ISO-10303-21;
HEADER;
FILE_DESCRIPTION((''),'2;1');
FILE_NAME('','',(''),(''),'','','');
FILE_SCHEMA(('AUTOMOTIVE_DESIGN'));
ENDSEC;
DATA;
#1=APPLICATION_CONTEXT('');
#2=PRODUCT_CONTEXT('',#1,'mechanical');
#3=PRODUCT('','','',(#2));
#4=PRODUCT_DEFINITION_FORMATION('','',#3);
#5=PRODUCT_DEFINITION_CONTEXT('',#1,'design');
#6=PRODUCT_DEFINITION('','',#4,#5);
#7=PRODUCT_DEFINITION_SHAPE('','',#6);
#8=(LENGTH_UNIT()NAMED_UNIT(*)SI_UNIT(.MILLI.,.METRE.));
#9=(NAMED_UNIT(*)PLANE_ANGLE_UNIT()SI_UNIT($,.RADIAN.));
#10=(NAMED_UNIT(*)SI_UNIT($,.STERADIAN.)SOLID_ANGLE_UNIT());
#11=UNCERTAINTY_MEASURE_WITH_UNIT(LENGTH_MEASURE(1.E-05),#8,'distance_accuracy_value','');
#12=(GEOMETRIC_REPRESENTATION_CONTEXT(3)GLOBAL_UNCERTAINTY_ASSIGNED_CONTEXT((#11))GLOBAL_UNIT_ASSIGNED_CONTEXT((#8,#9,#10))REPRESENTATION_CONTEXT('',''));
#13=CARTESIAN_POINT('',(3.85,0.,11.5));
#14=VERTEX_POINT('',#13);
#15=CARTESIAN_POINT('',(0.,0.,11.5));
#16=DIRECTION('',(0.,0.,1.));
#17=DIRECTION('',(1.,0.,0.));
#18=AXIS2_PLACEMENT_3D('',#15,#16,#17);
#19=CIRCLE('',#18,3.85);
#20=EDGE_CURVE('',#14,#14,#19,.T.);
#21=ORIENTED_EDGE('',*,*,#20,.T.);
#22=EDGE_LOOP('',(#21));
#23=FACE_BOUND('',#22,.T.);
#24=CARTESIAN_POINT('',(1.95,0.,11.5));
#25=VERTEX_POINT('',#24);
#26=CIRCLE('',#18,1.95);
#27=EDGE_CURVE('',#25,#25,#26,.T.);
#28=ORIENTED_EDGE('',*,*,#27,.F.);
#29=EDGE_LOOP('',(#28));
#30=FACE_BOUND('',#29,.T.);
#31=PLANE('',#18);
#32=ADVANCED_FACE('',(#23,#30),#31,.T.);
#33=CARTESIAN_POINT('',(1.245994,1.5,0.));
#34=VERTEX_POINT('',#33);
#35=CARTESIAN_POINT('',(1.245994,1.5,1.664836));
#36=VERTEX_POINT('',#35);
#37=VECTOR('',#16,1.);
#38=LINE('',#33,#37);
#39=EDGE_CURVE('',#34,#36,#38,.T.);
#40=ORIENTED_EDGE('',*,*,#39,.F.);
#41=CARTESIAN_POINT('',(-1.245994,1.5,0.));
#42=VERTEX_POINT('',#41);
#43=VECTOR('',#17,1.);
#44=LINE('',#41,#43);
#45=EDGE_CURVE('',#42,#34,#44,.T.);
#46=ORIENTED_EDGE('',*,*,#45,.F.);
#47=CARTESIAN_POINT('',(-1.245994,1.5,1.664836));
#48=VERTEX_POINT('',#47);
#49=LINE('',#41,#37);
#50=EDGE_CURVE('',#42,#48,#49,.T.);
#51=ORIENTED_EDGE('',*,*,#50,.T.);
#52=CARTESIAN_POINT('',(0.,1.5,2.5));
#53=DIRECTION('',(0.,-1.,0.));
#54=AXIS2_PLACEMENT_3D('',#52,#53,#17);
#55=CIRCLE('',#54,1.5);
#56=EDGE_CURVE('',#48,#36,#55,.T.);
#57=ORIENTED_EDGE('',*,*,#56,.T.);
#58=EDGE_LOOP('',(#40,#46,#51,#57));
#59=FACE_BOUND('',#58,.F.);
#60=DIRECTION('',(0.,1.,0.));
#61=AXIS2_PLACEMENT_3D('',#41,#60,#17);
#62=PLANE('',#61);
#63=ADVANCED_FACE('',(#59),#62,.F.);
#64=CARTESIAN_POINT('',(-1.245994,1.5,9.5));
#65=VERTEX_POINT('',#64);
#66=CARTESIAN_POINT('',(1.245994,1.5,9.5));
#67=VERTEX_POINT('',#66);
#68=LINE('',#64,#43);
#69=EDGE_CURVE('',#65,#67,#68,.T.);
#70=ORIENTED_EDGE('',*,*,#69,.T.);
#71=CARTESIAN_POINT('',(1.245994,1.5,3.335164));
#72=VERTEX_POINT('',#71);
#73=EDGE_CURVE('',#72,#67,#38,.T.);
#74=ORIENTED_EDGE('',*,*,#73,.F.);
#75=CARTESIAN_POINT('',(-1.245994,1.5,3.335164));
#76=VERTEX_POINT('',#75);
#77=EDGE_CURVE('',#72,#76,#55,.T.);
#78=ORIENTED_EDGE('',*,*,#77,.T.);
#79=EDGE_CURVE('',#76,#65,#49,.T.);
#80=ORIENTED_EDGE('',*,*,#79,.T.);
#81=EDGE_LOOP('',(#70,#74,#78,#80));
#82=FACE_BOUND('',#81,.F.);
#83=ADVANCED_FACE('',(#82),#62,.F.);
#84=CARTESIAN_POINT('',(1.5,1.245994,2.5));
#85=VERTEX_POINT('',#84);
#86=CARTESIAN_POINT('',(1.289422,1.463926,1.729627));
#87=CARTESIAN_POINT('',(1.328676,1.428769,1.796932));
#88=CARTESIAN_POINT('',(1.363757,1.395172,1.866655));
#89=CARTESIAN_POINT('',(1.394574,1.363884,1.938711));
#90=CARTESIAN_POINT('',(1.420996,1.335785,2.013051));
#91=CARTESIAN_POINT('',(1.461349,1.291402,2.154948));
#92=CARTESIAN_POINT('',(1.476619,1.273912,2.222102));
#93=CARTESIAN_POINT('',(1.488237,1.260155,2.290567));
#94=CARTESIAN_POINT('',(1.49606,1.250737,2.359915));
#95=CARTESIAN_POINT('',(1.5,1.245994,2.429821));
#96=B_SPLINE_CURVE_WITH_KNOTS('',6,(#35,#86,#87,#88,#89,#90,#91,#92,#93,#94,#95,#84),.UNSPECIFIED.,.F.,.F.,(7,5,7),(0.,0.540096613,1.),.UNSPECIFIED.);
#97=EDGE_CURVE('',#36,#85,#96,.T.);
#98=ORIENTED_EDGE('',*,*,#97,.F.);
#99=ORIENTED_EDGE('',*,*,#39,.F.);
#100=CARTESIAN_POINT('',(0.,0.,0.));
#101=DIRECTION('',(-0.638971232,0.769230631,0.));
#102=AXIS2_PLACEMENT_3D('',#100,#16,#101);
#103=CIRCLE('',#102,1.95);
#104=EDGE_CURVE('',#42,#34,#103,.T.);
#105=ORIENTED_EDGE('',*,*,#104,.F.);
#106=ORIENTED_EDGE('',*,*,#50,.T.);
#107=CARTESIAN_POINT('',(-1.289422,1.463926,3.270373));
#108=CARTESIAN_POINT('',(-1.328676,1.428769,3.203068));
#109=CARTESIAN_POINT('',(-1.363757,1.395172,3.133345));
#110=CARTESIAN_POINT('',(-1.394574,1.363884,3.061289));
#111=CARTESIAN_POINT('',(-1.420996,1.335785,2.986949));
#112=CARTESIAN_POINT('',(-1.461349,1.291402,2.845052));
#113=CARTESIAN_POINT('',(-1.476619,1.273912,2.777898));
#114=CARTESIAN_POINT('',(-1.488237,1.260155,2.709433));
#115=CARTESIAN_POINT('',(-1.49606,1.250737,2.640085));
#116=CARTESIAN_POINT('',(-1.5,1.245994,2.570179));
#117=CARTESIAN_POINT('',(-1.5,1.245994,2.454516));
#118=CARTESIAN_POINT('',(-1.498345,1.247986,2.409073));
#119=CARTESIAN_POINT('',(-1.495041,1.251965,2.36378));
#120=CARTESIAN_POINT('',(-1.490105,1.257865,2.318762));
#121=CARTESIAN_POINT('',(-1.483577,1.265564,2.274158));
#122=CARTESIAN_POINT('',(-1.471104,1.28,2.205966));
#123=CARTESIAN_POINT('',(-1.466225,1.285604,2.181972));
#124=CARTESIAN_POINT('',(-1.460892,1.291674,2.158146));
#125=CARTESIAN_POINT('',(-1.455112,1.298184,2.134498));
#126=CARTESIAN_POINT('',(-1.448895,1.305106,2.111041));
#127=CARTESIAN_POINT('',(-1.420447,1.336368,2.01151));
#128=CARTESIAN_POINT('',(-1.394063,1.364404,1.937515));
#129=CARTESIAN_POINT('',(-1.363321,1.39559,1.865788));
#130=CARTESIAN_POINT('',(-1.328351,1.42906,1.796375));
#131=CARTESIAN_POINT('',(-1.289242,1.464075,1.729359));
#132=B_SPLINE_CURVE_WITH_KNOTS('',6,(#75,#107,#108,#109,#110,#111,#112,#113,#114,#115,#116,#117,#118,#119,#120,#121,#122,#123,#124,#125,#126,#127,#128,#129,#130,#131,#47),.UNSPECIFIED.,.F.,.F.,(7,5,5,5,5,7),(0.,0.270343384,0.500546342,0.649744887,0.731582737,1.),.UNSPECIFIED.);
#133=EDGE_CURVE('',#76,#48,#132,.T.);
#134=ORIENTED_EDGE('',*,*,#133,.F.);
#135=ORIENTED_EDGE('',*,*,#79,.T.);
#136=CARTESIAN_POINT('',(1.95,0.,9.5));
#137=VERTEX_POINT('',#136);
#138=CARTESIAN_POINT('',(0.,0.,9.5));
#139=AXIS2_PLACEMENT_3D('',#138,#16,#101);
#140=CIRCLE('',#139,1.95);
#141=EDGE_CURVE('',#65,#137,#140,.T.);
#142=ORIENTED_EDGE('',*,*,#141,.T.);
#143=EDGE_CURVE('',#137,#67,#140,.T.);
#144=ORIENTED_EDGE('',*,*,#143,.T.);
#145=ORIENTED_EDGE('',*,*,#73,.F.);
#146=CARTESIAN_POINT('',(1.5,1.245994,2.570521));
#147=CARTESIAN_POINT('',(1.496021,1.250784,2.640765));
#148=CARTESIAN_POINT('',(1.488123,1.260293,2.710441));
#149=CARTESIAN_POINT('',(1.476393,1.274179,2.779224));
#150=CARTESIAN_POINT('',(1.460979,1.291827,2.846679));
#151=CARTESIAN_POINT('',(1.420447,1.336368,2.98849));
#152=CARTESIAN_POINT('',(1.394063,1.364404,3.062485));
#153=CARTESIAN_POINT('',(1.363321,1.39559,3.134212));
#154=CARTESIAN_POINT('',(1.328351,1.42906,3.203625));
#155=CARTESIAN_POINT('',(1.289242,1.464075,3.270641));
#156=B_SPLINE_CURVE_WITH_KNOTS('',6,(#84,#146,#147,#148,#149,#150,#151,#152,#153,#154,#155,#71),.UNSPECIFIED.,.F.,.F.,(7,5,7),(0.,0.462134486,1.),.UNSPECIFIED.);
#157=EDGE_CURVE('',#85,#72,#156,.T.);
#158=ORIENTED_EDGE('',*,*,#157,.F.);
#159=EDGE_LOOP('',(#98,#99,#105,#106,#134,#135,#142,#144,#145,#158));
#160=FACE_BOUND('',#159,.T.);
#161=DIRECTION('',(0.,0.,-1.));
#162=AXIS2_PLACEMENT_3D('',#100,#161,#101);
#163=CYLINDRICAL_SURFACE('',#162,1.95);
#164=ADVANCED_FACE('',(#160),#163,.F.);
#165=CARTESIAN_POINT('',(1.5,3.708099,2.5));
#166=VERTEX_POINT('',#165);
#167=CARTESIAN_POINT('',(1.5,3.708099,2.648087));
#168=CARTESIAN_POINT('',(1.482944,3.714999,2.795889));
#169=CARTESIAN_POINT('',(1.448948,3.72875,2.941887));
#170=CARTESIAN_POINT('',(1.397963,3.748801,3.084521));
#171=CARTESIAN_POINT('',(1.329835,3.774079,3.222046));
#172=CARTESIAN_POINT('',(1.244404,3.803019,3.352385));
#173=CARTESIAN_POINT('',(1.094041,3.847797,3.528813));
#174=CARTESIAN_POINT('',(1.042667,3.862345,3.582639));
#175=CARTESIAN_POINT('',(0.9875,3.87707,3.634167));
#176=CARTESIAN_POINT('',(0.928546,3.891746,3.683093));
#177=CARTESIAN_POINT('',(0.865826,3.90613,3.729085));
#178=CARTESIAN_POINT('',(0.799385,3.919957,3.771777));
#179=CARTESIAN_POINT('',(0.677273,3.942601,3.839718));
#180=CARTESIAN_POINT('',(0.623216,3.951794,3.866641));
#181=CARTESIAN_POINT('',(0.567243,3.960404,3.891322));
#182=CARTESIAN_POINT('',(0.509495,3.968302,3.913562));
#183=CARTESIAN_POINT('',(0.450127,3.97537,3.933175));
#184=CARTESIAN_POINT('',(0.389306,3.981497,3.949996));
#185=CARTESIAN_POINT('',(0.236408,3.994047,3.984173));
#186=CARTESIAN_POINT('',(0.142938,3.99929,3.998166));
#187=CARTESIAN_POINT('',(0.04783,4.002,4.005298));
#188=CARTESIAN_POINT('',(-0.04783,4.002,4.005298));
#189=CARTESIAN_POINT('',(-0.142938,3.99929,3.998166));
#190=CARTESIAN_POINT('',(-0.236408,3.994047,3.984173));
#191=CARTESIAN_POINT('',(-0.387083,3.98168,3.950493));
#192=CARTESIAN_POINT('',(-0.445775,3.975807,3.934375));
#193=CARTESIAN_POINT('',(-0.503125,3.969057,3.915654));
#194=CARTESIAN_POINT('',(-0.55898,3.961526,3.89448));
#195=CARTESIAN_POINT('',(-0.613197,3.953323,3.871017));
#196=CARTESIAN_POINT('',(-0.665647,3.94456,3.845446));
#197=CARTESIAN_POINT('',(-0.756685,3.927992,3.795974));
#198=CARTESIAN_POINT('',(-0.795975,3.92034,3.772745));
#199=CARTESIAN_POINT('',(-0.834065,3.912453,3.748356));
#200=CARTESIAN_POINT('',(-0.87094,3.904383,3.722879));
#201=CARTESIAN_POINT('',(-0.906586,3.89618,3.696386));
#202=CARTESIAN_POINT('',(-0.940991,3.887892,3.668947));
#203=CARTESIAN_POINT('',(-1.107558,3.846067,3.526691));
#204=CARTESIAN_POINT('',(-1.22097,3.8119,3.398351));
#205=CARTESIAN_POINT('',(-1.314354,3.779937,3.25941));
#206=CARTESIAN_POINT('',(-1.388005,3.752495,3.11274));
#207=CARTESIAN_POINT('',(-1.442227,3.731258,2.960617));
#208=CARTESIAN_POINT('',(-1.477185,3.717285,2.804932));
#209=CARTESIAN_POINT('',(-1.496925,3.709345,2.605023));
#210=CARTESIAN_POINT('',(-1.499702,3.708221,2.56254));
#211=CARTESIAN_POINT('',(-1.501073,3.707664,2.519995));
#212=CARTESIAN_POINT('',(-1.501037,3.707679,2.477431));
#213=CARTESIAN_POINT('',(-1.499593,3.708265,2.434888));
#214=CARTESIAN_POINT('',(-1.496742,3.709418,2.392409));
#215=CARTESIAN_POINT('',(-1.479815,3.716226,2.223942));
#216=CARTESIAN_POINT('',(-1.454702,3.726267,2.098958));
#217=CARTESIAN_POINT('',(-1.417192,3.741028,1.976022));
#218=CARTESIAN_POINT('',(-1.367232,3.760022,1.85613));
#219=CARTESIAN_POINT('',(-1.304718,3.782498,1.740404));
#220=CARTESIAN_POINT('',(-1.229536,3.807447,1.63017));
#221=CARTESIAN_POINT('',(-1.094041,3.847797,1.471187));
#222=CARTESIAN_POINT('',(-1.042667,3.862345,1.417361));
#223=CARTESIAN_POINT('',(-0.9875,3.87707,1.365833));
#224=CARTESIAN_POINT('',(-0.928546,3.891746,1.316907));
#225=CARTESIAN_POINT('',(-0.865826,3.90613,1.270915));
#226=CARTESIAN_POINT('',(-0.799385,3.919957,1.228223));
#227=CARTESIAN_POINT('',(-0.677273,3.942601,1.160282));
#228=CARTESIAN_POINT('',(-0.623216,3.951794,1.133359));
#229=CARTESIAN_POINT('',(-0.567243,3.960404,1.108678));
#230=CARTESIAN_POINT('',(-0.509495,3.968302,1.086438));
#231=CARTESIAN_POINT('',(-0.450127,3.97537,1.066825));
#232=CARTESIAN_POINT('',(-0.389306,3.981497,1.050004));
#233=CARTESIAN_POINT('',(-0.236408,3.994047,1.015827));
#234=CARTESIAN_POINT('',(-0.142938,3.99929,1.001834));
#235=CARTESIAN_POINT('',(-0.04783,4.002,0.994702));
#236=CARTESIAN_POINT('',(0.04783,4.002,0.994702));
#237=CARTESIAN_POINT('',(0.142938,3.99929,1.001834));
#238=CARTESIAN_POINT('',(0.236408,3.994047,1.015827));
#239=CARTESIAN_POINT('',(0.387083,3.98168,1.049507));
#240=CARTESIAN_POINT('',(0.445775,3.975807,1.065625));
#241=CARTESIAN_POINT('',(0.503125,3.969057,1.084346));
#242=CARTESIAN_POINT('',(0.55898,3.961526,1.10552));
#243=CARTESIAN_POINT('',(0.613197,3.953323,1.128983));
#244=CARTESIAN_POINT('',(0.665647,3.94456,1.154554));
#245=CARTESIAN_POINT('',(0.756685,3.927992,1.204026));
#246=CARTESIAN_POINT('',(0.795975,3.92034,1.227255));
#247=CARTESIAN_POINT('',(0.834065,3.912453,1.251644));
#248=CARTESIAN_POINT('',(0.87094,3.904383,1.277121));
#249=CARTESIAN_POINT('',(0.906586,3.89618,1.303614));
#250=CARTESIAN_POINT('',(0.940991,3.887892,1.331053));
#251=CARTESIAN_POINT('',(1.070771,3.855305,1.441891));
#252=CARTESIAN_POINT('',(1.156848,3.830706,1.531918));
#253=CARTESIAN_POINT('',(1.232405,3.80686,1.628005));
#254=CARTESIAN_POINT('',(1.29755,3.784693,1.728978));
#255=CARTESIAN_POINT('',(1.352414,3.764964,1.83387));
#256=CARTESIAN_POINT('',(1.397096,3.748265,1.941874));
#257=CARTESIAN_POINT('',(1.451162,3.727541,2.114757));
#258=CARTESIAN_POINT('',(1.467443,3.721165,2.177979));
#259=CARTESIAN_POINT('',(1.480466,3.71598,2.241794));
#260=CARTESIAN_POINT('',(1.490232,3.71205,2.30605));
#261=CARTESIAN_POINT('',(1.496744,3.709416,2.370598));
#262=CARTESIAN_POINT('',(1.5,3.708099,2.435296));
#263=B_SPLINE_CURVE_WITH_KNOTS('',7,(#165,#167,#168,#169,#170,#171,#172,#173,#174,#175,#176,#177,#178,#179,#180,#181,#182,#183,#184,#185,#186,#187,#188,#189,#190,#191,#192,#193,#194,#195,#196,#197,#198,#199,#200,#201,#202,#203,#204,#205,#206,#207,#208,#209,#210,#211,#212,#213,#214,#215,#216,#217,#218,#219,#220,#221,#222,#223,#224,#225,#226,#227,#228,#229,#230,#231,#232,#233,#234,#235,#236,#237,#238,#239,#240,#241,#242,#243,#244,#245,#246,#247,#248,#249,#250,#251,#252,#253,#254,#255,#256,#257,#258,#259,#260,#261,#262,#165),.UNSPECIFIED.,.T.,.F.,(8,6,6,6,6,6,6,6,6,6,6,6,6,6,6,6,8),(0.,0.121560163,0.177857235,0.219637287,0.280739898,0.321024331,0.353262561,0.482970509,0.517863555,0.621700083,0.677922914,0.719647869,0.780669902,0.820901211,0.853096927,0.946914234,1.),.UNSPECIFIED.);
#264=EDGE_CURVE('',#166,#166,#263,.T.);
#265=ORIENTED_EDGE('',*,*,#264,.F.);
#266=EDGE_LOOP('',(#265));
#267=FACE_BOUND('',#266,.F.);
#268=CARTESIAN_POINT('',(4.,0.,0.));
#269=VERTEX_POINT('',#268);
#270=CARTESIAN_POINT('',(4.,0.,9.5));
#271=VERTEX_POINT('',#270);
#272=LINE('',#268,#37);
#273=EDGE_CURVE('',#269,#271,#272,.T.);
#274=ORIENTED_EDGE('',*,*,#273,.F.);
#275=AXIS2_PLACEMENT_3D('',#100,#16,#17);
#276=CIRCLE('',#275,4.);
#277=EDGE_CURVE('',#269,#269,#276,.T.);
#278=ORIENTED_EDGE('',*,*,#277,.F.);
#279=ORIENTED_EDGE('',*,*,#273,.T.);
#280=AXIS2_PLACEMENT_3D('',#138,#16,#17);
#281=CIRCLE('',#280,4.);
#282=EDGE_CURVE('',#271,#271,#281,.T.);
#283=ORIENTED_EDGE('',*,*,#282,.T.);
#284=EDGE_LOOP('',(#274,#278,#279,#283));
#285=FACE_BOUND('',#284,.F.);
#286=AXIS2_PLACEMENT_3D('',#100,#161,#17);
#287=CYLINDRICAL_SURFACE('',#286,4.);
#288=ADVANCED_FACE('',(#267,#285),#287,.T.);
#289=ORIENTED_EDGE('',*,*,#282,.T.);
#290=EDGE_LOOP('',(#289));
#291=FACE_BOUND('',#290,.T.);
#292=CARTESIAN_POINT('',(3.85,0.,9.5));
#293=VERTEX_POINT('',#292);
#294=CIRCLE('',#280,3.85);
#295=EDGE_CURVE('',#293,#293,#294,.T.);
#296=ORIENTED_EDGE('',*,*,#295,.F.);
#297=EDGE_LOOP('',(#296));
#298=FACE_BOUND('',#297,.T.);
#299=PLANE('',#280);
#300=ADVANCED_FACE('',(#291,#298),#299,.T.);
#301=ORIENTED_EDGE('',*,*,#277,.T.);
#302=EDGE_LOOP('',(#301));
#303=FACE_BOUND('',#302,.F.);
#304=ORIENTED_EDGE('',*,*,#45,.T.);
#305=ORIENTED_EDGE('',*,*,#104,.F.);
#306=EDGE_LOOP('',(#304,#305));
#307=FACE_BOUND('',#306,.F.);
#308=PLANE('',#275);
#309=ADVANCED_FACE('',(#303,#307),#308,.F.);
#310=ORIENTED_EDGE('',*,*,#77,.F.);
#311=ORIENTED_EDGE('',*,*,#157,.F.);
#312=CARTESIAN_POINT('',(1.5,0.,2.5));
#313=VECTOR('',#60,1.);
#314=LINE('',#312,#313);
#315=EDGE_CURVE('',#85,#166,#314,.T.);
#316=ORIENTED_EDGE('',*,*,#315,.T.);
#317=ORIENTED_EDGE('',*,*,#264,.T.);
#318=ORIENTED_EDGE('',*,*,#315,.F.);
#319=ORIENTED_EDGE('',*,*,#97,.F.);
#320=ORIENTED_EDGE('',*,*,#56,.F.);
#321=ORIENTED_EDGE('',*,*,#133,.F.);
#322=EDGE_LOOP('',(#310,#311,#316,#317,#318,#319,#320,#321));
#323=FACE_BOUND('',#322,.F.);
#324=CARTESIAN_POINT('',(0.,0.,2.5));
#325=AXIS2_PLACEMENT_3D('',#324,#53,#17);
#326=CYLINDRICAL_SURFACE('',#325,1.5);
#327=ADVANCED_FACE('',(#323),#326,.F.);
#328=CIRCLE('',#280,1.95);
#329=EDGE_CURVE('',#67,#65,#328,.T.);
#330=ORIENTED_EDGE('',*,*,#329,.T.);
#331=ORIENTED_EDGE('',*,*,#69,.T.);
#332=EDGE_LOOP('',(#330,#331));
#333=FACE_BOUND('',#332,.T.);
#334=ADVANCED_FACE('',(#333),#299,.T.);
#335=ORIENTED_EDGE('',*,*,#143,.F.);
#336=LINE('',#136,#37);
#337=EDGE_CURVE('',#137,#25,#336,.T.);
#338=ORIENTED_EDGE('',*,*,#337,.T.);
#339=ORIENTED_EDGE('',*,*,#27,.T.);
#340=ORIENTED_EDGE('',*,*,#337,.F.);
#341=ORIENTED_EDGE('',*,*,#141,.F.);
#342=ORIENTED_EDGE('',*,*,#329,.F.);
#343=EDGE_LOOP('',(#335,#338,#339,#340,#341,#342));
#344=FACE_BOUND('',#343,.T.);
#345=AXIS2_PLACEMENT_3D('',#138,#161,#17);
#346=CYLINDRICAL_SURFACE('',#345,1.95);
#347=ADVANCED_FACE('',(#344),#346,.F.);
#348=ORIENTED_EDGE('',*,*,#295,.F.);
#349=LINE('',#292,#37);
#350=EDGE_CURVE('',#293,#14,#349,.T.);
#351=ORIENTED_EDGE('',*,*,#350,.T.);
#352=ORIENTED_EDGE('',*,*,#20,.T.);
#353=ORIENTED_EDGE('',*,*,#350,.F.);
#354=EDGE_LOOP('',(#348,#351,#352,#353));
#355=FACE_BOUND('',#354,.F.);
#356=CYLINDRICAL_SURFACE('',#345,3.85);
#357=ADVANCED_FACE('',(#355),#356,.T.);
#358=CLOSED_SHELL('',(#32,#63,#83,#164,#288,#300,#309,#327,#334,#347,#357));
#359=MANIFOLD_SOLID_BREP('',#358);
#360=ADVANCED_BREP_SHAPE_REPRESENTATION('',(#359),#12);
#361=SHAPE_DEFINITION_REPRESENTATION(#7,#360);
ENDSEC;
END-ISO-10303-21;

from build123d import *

# Parameters (mm, degrees)
SKETCH268_R     = 4
PAD107_DEPTH    = 9.5
SKETCH269_R     = 3.85
SKETCH269_R_2   = 1.95
PAD108_DEPTH    = 2
SKETCH270_R     = 1.5
POCKET131_DEPTH = 4.001


with BuildPart() as part:
    # Sketch268 → Pad107 (new body)
    with BuildSketch(Plane.XY):
        Circle(SKETCH268_R)
        with BuildLine():
            Line((-1.245994, 1.5), (1.245994, 1.5))
            ThreePointArc((-1.245994, 1.5), (0, -1.95), (1.245994, 1.5))
        make_face(mode=Mode.SUBTRACT)
    extrude(amount=PAD107_DEPTH)

    # Sketch269 (on Face5 of Pad107) → Pad108 (join)
    with BuildSketch(Plane.XY.offset(9.5)):
        Circle(SKETCH269_R)
        Circle(SKETCH269_R_2, mode=Mode.SUBTRACT)
    extrude(amount=PAD108_DEPTH)

    # Sketch270 → Pocket131 (cut, through all)
    with BuildSketch(Plane.XZ):
        with Locations((0, 2.5)):
            Circle(SKETCH270_R)
    extrude(amount=-POCKET131_DEPTH, mode=Mode.SUBTRACT)


solid = part.part
